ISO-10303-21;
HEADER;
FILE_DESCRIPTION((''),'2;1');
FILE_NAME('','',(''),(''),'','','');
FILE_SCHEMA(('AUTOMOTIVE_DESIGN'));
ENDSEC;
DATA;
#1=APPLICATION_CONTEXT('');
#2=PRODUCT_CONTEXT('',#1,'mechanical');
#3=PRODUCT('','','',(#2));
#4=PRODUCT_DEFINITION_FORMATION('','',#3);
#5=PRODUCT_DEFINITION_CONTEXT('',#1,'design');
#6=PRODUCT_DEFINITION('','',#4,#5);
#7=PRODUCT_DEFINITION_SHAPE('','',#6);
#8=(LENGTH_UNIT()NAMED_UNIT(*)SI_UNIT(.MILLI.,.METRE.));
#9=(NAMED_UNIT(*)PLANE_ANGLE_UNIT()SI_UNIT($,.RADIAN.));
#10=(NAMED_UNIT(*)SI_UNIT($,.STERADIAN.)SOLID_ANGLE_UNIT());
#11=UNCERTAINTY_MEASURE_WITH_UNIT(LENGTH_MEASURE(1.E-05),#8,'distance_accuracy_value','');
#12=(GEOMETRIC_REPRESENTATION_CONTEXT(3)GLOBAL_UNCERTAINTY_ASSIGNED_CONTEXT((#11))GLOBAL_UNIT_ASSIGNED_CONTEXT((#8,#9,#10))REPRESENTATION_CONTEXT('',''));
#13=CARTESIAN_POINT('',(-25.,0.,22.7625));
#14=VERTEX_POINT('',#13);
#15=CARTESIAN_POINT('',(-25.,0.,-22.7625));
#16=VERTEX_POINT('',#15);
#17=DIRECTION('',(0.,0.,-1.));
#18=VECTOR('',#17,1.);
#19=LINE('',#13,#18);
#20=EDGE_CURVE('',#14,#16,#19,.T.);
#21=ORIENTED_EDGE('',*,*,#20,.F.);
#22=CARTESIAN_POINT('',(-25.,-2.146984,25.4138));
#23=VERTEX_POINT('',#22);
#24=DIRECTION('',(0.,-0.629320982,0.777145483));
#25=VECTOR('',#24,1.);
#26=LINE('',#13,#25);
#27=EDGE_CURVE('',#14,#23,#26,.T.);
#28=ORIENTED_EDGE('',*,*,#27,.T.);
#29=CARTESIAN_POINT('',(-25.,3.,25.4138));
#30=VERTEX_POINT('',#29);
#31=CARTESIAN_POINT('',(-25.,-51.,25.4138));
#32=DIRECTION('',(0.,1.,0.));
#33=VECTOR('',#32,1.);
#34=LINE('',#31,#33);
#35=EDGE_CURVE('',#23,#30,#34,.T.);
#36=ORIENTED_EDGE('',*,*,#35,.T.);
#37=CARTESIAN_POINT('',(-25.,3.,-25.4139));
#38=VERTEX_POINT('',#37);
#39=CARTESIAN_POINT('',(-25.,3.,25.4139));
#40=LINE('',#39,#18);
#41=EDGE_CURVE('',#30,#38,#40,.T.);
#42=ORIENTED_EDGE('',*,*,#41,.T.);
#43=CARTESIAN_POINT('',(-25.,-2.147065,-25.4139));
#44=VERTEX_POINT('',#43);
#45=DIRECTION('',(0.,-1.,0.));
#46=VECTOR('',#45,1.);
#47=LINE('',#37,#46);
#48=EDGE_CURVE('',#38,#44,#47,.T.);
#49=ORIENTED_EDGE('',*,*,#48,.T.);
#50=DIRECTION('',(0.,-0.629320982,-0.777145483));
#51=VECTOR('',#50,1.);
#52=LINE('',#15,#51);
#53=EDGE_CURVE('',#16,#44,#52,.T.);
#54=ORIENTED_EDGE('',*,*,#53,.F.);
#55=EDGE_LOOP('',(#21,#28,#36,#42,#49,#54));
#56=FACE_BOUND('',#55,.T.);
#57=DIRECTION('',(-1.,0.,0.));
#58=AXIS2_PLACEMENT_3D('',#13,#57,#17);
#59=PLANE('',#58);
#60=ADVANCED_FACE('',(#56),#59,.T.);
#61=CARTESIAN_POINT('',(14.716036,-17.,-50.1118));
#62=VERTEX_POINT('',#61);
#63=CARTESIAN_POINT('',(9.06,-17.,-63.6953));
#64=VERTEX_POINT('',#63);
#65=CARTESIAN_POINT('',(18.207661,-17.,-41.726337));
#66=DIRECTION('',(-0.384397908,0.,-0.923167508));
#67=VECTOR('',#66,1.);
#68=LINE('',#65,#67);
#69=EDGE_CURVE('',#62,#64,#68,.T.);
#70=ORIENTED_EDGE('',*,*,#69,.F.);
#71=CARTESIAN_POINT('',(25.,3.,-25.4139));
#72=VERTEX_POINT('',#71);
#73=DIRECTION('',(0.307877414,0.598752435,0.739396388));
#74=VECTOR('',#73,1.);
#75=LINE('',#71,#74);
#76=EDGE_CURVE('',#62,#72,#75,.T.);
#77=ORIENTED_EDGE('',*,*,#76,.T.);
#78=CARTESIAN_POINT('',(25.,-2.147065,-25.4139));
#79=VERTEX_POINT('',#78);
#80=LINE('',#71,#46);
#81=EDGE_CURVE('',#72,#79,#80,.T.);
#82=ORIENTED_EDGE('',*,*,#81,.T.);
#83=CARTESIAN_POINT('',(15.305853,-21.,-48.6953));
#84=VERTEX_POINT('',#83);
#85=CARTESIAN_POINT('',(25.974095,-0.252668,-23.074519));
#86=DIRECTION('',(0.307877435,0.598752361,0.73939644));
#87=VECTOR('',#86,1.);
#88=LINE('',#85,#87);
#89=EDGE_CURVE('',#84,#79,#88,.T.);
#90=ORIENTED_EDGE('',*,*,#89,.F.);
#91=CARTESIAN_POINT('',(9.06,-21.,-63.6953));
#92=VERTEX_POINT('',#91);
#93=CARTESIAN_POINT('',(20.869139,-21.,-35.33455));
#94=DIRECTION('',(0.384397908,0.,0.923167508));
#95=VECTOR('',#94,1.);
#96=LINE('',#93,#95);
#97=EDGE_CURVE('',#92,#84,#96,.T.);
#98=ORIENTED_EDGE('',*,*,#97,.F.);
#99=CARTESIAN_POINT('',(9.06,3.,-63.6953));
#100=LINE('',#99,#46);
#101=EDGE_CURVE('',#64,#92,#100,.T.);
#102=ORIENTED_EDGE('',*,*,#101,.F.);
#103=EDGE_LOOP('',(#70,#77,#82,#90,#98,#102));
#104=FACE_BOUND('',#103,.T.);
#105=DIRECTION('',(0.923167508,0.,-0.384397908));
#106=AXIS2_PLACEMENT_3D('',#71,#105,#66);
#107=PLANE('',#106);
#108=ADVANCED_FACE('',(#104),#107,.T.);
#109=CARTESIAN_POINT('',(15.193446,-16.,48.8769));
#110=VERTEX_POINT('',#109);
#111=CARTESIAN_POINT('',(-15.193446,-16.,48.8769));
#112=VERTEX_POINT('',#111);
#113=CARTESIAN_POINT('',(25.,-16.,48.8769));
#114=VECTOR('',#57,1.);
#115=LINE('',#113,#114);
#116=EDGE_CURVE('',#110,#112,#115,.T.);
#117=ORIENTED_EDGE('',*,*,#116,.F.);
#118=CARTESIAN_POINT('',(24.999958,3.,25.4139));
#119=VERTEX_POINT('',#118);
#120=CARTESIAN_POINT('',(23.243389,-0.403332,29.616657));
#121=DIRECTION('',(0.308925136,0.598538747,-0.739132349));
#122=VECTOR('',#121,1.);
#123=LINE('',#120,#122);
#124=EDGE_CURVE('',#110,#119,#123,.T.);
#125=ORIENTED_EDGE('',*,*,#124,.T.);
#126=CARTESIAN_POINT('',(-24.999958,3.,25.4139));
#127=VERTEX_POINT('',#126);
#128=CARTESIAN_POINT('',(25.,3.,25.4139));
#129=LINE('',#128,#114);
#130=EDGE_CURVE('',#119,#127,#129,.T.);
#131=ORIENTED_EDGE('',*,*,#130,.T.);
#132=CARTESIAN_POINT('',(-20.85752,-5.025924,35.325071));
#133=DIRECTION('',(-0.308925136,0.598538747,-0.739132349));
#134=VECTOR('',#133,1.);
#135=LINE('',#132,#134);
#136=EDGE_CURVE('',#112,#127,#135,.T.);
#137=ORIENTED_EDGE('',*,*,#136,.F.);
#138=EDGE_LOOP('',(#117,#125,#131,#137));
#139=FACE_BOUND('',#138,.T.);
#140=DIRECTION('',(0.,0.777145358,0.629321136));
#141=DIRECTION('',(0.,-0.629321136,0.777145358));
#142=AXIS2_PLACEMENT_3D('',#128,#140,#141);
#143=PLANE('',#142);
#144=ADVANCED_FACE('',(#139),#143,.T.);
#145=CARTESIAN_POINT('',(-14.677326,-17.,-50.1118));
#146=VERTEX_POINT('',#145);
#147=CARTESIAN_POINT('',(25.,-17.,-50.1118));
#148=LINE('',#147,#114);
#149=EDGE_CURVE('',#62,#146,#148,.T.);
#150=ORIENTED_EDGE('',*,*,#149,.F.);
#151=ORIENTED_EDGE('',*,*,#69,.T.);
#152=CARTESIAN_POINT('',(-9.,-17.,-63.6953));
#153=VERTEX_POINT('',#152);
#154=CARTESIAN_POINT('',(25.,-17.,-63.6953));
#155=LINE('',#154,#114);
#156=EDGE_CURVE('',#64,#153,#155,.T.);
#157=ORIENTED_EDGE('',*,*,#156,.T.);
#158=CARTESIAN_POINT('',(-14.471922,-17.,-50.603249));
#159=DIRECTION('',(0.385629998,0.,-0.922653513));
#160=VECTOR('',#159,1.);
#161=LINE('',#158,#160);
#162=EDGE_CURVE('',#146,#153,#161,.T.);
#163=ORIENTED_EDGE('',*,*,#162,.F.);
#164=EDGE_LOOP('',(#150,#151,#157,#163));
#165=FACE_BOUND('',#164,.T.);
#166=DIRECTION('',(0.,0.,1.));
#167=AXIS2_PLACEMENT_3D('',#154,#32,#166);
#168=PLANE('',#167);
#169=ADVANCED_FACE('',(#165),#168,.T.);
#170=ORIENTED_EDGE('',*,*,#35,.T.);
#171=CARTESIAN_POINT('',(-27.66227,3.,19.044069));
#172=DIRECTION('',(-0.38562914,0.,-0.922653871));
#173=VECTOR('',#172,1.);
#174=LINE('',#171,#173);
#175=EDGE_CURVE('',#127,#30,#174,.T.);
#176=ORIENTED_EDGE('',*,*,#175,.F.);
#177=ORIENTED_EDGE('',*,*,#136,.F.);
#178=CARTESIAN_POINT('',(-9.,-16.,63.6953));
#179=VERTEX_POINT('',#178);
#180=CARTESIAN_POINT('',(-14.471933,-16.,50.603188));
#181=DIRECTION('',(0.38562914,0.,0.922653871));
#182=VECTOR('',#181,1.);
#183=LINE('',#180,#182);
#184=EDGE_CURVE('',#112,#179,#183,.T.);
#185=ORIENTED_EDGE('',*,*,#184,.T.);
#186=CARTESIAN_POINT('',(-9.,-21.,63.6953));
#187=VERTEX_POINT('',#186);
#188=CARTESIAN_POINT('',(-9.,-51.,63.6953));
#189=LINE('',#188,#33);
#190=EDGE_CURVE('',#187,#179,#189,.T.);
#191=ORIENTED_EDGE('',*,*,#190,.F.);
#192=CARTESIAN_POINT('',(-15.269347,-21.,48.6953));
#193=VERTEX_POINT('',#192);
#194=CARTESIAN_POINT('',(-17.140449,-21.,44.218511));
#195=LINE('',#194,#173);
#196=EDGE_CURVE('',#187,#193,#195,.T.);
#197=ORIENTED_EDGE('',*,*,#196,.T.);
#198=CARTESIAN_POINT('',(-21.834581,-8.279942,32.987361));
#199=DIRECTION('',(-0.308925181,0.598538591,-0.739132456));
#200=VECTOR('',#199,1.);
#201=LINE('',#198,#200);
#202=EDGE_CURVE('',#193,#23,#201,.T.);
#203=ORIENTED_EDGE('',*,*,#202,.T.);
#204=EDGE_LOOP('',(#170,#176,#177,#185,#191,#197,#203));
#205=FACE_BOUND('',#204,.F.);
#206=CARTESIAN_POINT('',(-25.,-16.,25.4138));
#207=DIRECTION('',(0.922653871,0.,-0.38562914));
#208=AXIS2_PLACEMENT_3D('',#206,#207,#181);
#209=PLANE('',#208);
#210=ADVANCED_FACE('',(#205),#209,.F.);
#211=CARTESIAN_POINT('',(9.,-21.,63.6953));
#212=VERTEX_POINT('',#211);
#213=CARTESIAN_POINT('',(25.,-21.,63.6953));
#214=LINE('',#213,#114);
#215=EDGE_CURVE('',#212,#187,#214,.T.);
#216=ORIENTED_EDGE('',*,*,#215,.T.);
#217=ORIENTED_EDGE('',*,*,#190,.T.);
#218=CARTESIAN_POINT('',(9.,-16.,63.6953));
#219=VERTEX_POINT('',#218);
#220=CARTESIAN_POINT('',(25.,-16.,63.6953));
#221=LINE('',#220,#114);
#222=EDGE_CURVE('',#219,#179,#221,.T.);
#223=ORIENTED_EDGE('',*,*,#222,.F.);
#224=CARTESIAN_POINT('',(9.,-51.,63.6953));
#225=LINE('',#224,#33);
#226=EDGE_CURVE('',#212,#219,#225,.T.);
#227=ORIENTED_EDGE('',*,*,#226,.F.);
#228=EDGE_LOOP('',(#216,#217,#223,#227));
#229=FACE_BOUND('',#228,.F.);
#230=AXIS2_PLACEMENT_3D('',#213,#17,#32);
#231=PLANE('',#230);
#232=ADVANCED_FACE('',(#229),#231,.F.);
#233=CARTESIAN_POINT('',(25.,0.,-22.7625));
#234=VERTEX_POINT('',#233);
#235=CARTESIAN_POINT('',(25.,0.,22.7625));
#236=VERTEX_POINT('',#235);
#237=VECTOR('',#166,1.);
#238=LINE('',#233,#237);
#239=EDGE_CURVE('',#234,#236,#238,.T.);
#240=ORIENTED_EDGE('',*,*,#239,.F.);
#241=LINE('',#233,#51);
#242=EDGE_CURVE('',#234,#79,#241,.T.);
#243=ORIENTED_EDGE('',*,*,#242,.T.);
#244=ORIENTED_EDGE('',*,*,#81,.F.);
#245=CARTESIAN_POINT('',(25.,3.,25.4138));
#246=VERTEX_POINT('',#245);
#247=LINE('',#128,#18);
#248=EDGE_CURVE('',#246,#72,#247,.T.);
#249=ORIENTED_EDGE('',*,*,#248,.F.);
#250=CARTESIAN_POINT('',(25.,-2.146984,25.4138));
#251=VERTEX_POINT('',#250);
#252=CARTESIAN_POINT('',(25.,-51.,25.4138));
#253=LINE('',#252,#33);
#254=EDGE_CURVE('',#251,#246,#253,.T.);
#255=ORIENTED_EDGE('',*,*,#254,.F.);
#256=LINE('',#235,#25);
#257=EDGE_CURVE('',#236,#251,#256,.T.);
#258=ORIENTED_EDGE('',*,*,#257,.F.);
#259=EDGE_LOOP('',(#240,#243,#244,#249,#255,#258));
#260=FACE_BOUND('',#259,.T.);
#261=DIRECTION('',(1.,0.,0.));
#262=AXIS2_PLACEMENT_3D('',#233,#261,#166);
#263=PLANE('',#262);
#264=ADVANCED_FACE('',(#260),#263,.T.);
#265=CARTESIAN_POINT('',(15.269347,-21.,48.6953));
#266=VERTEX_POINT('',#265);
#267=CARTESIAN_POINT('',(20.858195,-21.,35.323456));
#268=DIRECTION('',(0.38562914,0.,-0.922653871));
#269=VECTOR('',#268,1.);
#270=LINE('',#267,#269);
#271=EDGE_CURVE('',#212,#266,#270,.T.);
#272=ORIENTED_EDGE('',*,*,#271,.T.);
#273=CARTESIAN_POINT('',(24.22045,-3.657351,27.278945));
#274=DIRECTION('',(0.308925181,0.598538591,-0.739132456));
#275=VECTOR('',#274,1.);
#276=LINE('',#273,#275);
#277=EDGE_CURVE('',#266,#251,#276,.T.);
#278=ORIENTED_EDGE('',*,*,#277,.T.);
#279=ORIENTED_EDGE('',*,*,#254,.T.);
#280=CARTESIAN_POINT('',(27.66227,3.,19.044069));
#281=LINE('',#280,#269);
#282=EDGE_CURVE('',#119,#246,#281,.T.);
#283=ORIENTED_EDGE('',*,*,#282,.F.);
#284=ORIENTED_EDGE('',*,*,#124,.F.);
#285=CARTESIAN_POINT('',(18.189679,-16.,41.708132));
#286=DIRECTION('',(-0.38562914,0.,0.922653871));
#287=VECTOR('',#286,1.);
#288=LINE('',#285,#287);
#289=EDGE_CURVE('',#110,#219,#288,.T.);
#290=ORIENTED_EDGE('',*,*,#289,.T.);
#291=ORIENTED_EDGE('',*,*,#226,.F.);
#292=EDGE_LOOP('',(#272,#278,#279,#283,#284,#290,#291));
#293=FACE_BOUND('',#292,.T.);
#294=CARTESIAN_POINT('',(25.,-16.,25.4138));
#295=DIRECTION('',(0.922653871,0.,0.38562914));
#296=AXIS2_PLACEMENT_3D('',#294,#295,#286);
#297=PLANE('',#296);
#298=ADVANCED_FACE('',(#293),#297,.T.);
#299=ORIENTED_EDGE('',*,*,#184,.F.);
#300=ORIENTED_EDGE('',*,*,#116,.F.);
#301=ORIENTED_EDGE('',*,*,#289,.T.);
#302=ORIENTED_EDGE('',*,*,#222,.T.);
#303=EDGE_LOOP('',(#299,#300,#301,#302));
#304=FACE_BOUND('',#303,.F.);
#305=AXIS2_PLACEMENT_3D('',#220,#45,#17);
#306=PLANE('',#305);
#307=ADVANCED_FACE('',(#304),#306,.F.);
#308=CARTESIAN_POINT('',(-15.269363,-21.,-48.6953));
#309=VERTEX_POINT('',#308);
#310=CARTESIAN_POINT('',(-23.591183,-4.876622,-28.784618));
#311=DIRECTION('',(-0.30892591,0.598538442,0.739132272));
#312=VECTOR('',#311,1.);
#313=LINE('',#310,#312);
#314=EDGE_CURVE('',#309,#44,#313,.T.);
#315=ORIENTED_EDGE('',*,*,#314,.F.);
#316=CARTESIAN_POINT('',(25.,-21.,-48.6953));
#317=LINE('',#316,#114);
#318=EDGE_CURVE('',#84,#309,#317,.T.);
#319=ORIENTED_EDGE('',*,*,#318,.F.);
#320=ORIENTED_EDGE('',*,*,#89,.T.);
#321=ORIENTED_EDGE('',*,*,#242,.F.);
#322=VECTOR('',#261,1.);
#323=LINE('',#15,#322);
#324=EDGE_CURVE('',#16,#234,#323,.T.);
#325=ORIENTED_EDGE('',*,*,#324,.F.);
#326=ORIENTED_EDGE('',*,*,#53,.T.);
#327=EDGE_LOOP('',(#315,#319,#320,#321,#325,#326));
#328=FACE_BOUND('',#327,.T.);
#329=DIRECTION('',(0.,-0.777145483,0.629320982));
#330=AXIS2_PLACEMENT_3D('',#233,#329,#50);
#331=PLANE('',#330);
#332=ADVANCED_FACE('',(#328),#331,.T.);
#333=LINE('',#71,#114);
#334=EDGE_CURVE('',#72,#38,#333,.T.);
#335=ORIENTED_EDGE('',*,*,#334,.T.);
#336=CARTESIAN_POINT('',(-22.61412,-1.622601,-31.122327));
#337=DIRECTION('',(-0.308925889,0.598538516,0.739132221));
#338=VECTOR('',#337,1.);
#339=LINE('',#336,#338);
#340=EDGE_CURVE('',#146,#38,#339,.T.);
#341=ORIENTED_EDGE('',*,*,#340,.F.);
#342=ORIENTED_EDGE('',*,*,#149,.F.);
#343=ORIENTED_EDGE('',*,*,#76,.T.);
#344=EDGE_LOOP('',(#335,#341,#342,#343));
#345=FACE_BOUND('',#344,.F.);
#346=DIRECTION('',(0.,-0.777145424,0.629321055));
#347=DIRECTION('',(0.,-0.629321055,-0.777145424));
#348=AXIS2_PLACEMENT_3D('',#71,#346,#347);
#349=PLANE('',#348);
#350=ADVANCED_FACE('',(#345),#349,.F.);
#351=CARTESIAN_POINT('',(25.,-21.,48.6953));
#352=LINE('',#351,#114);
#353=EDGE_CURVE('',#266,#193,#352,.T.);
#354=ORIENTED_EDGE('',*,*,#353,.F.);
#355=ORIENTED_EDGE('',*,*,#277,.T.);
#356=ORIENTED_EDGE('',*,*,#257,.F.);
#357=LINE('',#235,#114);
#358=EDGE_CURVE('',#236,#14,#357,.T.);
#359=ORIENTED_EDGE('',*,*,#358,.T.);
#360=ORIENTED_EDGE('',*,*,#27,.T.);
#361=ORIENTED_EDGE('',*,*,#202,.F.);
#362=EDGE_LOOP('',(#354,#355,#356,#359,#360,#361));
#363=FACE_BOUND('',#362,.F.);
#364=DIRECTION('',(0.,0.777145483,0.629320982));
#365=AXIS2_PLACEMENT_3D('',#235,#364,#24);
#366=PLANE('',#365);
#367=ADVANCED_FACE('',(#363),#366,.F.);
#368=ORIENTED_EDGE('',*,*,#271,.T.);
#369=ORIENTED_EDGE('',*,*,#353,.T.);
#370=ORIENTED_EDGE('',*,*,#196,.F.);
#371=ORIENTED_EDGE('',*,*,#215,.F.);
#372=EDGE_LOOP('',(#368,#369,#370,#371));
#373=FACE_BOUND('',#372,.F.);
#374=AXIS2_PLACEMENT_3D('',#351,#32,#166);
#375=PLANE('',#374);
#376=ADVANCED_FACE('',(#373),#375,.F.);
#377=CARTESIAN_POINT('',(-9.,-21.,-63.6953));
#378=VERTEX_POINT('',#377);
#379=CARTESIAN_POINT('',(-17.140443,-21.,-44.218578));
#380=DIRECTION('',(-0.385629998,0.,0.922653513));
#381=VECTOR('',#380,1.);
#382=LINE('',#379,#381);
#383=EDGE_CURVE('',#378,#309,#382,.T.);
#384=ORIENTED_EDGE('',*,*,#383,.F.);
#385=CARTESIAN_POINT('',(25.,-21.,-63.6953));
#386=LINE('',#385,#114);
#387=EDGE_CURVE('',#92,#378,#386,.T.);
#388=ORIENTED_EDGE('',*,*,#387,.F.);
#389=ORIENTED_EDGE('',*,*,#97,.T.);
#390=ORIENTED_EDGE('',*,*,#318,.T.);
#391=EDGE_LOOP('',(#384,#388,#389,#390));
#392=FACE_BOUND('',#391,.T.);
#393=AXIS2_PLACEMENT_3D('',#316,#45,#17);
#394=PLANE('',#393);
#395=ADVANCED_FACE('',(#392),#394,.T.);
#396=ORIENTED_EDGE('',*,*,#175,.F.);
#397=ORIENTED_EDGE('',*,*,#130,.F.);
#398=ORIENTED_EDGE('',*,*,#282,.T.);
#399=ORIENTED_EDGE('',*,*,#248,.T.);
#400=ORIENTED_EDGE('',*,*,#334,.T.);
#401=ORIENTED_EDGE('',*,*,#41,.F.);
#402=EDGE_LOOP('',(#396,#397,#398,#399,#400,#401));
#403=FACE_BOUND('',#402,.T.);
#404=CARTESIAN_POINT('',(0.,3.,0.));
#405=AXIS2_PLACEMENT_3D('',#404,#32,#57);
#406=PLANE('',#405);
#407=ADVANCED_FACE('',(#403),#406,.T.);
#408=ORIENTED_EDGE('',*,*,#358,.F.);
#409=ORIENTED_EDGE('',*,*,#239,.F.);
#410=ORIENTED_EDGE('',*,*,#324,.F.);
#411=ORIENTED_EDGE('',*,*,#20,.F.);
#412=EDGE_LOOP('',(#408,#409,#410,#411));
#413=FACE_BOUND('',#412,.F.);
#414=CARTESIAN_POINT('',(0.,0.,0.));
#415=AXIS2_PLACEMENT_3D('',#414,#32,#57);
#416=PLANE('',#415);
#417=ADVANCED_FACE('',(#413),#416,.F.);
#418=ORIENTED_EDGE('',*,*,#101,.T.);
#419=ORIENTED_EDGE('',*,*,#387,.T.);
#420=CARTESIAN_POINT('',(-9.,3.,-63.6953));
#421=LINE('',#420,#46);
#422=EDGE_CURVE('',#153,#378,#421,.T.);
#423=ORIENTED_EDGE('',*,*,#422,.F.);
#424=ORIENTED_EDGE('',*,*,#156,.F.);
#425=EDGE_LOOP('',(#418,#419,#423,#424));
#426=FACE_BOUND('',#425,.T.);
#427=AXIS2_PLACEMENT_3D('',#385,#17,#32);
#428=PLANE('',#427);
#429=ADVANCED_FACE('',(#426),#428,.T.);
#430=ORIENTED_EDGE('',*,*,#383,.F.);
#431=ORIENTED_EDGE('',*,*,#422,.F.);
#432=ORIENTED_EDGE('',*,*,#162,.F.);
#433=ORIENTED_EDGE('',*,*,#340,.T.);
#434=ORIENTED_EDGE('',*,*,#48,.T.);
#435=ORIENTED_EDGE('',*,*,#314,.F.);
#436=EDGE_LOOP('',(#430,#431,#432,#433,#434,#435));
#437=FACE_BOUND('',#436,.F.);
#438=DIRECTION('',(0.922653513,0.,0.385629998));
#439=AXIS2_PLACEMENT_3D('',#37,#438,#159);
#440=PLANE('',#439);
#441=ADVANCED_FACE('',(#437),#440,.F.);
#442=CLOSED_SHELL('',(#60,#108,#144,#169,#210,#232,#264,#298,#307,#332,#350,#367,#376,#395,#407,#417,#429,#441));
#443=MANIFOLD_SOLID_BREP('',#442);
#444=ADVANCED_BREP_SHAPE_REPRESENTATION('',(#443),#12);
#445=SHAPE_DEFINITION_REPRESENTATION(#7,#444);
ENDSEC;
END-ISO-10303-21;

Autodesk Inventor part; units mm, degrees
ref_plane "YZ Plane" through (0, 0, 0) normal (1, 0, 0) x (0, 1, 0)
ref_plane "XZ Plane" through (0, 0, 0) normal (0, 1, 0) x (-1, 0, 0)
ref_plane "XY Plane" through (0, 0, 0) normal (0, 0, 1) x (1, 0, 0)
sketch "Эскиз1" plane through (0, 0, 0) normal (0, 1, 0) x (-1, 0, 0)
  line L0 (-25, 22.7625) -> (25, 22.7625)
  line L1 (25, 22.7625) -> (25, -22.7625)
  line L2 (25, -22.7625) -> (-25, -22.7625)
  line L3 (-25, -22.7625) -> (-25, 22.7625)
  line L4 (-25, 22.7625) -> (25, -22.7625) construction
  line L5 (25, 22.7625) -> (-25, -22.7625) construction
  point P0 (0, 0)
  dimension "d0" = 50
  dimension "d1" = 45.525
extrude "Выдавливание1" add sketch "Эскиз1" along normal blind 3
sketch "Эскиз3" plane through (25, 0, 22.7625) normal (1, 0, 0) x (0, 0, -1)
  line L0 (45.525, 0) -> (0, 0) projected
  line L1 (0, 0) -> (0, -21)
  line L2 (45.525, 3) -> (0, 3) projected
  line L3 (0, -21) -> (-43.1562, -21)
  line L4 (0, -21) -> (135.6288, -21)
  line L5 (0, 0) -> (-25.9328, -21)
  line L6 (45.525, 0) -> (71.4578, -21)
  line L7 (71.4578, -21) -> (86.4578, -21)
  line L8 (86.4578, -21) -> (86.4578, -17)
  line L9 (86.4578, -17) -> (72.8743, -17)
  line L10 (-25.9328, -21) -> (-40.9328, -21)
  line L11 (-40.9328, -21) -> (-40.9328, -16)
  line L12 (-40.9328, -16) -> (-26.1144, -16)
  line L13 (-2.6514, 3) -> (-26.1144, -16)
  line L14 (0, 3) -> (-2.6514, 3)
  line L15 (48.1764, 3) -> (72.8743, -17)
  line L16 (45.525, 3) -> (48.1764, 3)
  line L17 (0, 3) -> (0, 0)
  line L18 (45.525, 0) -> (45.525, 3) projected
  line L19 (45.525, 3) -> (45.525, 0)
  line L20 (45.525, 3) -> (45.525, 0)
  point P0 (22.7625, 0)
  dimension "d4" = 21
  dimension "d7" = 15
  dimension "d8" = 4
  dimension "d9" = 15
  dimension "d10" = 5
  dimension "d11" = 4
  dimension "d12" = 4
extrude "Выдавливание2" add sketch "Эскиз3" against normal up to surface (50 mm away) contours L18 L16 L15 L9 L8 L4 L6 | L5 L3 L11 L12 L13 L14 L17
sketch "Эскиз4" plane through (25, -16, 63.6953) normal (0, 1, 0) x (1, 0, 0)
  line L0 (0, 89.1092) -> (0, 38.2815) projected
  line L1 (0, 38.2815) -> (-16, 0)
  line L2 (0, 0) -> (-50, 0) projected
  line L3 (-50, 38.2815) -> (-50, 14.8184) projected
  line L4 (-50, 38.2815) -> (-34, 0)
  line L5 (-50, 14.8184) -> (-50, 0) projected
  line L6 (0, 14.8184) -> (0, 0) projected
  line L7 (-16, 0) -> (0, 0)
  line L8 (0, 38.2815) -> (0, 0)
  line L9 (-34, 0) -> (-50, 0)
  line L10 (-50, 0) -> (-50, 38.2815)
  point P0 (-25, 63.6953)
  dimension "d15" = 16
  dimension "d16" = 16
extrude "Выдавливание3" cut sketch "Эскиз4" along normal mid plane 70
sketch "Эскиз5" plane through (0, 3, 0) normal (0, 1, 0) x (1, 0, 0)
  line L0 (-15.1935, -48.8769) -> (-9, -63.6953) projected
  line L1 (-25, 25.4139) -> (-25, -25.4139) projected
  line L2 (-25, 25.4139) -> (-9, 63.6953)
  line L3 (25, 63.6953) -> (-25, 63.6953) projected
  line L4 (25, 63.6953) -> (25, 50.1118) projected
  line L5 (25, 25.4139) -> (9.06, 63.6953)
  line L6 (-25, 25.4139) -> (-25, 63.6953)
  line L7 (-9, 63.6953) -> (-25, 63.6953)
  line L8 (25, 25.4139) -> (25, 63.6953)
  line L9 (25, 63.6953) -> (9.06, 63.6953)
  point P0 (0, 0)
extrude "Выдавливание4" cut sketch "Эскиз5" against normal blind 70
sketch "Эскиз7" plane through (0, 3, 0) normal (0, 1, 0) x (1, 0, 0)
  line L0 (25, -25.4139) -> (-25, -25.4139) projected
  line L1 (25, 25.4139) -> (-25, 25.4139) projected
  line L2 (-25, -25.4139) -> (25, 25.4139)
  line L3 (-25, 25.4139) -> (25, -25.4139)
  line L4 (-15.65, -17.15) -> (15.65, -17.15)
  line L5 (15.65, -17.15) -> (15.65, 17.15)
  line L6 (15.65, 17.15) -> (-15.65, 17.15)
  line L7 (-15.65, 17.15) -> (-15.65, -17.15)
  line L8 (-15.65, -17.15) -> (15.65, 17.15) construction
  line L9 (15.65, -17.15) -> (-15.65, 17.15) construction
  point P0 (0, 0)
  dimension "d21" = 31.3
  dimension "d22" = 34.3
